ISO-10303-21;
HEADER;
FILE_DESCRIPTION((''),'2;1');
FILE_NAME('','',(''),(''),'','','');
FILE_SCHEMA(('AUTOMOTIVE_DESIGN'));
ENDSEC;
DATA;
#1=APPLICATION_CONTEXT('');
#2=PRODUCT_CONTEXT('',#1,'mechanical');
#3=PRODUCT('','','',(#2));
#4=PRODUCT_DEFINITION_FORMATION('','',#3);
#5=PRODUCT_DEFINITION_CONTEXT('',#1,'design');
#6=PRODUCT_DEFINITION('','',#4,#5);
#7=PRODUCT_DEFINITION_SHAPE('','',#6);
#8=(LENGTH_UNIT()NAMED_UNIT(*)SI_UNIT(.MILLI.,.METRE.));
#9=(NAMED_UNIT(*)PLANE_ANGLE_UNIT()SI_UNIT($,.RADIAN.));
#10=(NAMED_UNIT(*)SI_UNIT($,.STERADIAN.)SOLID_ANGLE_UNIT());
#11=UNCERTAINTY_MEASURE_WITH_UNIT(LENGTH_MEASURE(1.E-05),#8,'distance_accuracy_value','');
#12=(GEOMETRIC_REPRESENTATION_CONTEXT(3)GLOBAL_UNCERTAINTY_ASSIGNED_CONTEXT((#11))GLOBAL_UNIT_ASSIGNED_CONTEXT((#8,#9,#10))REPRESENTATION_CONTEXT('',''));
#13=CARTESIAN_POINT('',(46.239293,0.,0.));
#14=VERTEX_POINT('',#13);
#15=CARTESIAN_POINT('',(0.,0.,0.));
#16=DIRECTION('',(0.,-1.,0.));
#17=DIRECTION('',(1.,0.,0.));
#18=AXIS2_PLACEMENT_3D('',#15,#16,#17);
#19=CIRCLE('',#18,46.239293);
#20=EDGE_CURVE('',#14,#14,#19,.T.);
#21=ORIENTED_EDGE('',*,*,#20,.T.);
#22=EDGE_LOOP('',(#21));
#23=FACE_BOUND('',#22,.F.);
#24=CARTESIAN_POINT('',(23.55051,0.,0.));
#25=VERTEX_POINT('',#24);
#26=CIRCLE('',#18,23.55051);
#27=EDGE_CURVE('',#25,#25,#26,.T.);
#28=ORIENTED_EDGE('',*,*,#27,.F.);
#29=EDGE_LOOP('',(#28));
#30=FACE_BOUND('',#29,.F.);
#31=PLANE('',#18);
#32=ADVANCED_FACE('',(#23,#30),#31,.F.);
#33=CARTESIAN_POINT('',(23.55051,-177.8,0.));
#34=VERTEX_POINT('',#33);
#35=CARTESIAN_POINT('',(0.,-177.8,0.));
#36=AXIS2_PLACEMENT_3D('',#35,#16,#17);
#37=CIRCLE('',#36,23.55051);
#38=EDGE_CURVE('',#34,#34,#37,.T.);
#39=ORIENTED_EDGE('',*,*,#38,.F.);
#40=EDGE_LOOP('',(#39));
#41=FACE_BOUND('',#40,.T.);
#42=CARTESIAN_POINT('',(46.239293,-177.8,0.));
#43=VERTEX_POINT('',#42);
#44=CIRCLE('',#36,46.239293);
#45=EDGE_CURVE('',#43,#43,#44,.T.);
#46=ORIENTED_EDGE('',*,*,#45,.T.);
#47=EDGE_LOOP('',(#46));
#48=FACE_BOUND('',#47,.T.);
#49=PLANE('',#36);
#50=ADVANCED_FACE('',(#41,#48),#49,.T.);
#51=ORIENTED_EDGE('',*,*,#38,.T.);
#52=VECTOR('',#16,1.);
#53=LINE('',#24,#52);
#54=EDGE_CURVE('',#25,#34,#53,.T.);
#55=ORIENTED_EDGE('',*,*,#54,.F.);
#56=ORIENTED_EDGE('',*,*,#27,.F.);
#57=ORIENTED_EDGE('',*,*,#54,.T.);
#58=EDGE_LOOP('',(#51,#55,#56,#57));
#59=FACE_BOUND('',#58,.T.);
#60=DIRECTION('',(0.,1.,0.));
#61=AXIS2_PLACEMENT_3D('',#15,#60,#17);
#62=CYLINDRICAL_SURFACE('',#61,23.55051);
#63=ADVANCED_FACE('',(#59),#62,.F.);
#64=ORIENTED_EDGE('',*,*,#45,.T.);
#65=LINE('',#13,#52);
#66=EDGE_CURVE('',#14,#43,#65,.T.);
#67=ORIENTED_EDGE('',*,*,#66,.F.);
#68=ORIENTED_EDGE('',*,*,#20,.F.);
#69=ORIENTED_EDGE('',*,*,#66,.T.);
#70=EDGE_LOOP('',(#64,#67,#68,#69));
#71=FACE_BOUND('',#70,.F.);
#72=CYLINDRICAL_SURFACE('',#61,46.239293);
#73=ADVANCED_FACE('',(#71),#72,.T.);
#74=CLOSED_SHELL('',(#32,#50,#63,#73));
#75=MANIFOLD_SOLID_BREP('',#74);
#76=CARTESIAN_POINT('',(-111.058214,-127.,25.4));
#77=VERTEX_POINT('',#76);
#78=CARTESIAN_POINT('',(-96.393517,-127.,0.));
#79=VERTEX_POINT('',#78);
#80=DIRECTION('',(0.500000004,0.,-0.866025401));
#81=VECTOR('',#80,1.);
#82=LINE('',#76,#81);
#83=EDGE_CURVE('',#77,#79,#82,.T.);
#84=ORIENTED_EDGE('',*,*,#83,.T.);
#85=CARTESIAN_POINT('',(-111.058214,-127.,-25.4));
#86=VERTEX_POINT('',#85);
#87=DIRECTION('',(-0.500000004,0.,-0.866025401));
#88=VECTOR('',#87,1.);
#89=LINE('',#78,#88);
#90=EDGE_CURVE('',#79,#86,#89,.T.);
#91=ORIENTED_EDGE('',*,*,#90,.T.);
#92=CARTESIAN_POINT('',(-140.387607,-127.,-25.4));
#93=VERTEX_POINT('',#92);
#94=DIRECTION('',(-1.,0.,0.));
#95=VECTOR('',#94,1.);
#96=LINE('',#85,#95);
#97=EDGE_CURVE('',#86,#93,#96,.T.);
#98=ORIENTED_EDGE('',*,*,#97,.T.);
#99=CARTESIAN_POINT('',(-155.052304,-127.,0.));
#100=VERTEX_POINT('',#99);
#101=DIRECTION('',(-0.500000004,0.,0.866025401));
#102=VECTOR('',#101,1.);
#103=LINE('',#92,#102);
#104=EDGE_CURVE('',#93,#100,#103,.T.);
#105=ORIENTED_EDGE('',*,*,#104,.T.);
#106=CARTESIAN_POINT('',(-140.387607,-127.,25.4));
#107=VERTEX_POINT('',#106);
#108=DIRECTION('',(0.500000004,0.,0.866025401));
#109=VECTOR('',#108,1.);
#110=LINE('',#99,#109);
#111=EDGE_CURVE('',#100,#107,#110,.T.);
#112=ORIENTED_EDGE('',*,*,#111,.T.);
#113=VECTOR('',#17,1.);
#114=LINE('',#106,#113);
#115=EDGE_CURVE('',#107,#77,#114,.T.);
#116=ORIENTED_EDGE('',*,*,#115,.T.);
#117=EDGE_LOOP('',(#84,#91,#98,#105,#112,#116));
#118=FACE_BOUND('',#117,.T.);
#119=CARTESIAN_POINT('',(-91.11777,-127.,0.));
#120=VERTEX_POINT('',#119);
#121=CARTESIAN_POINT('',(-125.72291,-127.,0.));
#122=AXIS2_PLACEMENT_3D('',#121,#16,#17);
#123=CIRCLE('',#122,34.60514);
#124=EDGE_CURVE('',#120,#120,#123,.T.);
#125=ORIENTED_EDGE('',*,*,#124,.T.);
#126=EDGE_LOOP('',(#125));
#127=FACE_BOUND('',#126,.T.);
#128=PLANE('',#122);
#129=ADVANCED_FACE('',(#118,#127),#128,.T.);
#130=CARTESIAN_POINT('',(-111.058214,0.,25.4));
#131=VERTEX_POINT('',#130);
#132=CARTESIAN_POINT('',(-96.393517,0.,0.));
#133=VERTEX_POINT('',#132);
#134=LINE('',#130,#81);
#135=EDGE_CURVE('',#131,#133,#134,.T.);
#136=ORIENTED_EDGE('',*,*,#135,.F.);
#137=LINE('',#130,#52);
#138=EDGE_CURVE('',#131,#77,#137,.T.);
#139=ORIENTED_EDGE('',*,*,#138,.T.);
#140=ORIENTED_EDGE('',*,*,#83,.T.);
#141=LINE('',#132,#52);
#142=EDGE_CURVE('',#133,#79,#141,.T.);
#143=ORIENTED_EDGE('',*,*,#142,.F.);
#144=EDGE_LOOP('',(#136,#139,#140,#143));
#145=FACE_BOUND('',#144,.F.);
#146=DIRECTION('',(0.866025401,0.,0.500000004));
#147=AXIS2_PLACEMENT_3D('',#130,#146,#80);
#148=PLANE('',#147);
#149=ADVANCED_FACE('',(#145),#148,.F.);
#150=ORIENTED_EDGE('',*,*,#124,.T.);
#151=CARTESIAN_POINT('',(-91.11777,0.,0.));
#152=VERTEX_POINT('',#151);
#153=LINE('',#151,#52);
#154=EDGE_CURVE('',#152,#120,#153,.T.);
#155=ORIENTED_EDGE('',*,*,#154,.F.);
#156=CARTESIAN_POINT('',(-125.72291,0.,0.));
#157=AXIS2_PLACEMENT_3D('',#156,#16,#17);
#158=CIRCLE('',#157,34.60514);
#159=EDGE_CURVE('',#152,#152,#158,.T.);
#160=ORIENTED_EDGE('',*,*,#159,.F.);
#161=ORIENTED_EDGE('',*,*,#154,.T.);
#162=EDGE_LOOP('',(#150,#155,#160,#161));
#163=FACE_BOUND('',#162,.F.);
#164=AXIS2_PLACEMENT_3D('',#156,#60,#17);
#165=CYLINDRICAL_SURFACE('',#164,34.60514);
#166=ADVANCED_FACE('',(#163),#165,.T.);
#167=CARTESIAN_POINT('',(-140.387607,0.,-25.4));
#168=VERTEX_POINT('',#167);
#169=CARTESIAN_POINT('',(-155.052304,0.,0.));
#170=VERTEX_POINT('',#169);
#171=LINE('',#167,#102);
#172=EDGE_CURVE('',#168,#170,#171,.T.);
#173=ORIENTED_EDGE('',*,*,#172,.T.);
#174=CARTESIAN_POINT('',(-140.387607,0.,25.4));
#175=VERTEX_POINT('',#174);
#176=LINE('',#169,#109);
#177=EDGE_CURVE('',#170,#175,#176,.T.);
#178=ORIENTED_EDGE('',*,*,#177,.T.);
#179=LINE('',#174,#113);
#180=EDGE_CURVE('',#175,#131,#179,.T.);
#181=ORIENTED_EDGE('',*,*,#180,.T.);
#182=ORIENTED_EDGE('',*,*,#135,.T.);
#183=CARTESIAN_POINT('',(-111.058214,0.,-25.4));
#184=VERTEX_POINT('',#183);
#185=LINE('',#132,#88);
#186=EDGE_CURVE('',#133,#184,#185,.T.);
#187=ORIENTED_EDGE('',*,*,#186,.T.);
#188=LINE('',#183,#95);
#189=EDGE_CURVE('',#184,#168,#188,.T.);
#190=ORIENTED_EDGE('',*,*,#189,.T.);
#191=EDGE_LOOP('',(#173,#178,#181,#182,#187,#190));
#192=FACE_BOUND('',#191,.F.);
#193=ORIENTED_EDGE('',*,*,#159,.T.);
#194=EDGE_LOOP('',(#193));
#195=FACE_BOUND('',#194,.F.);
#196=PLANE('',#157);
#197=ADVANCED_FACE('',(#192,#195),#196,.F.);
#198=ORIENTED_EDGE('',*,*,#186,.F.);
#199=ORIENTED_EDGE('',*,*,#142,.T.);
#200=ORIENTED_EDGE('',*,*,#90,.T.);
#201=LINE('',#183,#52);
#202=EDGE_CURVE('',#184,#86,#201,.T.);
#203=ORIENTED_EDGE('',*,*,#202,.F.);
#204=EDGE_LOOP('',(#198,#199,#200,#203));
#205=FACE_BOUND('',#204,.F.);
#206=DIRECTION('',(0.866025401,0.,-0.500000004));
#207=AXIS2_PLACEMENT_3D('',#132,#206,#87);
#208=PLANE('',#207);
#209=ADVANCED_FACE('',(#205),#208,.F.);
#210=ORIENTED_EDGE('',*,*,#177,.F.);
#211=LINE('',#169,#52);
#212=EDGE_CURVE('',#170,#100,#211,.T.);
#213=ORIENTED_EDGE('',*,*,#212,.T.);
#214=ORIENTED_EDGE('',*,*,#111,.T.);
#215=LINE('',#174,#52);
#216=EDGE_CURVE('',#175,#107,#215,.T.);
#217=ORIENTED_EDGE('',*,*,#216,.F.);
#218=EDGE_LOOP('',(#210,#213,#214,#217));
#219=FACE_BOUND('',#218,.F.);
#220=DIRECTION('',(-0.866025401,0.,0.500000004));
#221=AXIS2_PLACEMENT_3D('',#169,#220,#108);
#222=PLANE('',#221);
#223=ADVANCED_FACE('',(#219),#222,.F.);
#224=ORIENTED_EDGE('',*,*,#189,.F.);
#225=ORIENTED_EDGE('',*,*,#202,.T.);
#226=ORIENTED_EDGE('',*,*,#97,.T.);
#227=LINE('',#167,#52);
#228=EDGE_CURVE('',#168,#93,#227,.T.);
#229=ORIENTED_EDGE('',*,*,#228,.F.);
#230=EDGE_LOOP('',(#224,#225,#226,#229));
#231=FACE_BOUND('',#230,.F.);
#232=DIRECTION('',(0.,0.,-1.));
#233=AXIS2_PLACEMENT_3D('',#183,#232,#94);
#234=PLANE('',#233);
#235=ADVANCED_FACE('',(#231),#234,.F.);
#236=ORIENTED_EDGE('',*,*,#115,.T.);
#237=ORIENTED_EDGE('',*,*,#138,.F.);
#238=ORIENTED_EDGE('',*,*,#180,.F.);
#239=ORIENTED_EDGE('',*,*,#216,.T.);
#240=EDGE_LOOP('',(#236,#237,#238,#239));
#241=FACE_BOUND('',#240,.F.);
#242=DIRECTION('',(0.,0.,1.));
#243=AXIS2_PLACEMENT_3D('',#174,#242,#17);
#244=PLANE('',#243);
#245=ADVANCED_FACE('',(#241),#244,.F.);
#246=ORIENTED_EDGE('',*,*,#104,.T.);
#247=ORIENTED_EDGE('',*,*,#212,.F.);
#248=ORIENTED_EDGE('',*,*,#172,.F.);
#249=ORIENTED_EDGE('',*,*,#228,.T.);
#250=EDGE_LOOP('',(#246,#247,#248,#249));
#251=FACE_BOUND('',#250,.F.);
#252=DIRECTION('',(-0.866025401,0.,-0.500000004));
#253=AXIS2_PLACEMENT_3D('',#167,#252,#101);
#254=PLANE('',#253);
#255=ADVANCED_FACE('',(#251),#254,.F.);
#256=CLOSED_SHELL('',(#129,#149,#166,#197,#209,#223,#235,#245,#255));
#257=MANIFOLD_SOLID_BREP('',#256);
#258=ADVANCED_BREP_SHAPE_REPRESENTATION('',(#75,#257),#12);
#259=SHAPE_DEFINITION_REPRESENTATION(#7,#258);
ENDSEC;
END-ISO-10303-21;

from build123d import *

# Parameters (mm, degrees)
F0_R     = 46.239293
F0_R_2   = 23.55051
F1_DEPTH = 177.8
F2_R     = 34.60514
F3_DEPTH = 127


with BuildPart() as f1:
    # F0 (on Front) → F1 (new body)
    with BuildSketch(Plane.XZ):
        Circle(F0_R)
        Circle(F0_R_2, mode=Mode.SUBTRACT)
    extrude(amount=F1_DEPTH)


with BuildPart() as f3:
    # F2 (on Front) → F3 (new body)
    with BuildSketch(Plane.XZ):
        with Locations((-125.72291, 0)):
            Circle(F2_R)
        Polygon((-96.393517, 0), (-111.058214, -25.4), (-140.387607, -25.4), (-155.052304, 0), (-140.387607, 25.4), (-111.058214, 25.4), align=None, mode=Mode.SUBTRACT)
    extrude(amount=F3_DEPTH)


solid = Compound([f1.part, f3.part])
